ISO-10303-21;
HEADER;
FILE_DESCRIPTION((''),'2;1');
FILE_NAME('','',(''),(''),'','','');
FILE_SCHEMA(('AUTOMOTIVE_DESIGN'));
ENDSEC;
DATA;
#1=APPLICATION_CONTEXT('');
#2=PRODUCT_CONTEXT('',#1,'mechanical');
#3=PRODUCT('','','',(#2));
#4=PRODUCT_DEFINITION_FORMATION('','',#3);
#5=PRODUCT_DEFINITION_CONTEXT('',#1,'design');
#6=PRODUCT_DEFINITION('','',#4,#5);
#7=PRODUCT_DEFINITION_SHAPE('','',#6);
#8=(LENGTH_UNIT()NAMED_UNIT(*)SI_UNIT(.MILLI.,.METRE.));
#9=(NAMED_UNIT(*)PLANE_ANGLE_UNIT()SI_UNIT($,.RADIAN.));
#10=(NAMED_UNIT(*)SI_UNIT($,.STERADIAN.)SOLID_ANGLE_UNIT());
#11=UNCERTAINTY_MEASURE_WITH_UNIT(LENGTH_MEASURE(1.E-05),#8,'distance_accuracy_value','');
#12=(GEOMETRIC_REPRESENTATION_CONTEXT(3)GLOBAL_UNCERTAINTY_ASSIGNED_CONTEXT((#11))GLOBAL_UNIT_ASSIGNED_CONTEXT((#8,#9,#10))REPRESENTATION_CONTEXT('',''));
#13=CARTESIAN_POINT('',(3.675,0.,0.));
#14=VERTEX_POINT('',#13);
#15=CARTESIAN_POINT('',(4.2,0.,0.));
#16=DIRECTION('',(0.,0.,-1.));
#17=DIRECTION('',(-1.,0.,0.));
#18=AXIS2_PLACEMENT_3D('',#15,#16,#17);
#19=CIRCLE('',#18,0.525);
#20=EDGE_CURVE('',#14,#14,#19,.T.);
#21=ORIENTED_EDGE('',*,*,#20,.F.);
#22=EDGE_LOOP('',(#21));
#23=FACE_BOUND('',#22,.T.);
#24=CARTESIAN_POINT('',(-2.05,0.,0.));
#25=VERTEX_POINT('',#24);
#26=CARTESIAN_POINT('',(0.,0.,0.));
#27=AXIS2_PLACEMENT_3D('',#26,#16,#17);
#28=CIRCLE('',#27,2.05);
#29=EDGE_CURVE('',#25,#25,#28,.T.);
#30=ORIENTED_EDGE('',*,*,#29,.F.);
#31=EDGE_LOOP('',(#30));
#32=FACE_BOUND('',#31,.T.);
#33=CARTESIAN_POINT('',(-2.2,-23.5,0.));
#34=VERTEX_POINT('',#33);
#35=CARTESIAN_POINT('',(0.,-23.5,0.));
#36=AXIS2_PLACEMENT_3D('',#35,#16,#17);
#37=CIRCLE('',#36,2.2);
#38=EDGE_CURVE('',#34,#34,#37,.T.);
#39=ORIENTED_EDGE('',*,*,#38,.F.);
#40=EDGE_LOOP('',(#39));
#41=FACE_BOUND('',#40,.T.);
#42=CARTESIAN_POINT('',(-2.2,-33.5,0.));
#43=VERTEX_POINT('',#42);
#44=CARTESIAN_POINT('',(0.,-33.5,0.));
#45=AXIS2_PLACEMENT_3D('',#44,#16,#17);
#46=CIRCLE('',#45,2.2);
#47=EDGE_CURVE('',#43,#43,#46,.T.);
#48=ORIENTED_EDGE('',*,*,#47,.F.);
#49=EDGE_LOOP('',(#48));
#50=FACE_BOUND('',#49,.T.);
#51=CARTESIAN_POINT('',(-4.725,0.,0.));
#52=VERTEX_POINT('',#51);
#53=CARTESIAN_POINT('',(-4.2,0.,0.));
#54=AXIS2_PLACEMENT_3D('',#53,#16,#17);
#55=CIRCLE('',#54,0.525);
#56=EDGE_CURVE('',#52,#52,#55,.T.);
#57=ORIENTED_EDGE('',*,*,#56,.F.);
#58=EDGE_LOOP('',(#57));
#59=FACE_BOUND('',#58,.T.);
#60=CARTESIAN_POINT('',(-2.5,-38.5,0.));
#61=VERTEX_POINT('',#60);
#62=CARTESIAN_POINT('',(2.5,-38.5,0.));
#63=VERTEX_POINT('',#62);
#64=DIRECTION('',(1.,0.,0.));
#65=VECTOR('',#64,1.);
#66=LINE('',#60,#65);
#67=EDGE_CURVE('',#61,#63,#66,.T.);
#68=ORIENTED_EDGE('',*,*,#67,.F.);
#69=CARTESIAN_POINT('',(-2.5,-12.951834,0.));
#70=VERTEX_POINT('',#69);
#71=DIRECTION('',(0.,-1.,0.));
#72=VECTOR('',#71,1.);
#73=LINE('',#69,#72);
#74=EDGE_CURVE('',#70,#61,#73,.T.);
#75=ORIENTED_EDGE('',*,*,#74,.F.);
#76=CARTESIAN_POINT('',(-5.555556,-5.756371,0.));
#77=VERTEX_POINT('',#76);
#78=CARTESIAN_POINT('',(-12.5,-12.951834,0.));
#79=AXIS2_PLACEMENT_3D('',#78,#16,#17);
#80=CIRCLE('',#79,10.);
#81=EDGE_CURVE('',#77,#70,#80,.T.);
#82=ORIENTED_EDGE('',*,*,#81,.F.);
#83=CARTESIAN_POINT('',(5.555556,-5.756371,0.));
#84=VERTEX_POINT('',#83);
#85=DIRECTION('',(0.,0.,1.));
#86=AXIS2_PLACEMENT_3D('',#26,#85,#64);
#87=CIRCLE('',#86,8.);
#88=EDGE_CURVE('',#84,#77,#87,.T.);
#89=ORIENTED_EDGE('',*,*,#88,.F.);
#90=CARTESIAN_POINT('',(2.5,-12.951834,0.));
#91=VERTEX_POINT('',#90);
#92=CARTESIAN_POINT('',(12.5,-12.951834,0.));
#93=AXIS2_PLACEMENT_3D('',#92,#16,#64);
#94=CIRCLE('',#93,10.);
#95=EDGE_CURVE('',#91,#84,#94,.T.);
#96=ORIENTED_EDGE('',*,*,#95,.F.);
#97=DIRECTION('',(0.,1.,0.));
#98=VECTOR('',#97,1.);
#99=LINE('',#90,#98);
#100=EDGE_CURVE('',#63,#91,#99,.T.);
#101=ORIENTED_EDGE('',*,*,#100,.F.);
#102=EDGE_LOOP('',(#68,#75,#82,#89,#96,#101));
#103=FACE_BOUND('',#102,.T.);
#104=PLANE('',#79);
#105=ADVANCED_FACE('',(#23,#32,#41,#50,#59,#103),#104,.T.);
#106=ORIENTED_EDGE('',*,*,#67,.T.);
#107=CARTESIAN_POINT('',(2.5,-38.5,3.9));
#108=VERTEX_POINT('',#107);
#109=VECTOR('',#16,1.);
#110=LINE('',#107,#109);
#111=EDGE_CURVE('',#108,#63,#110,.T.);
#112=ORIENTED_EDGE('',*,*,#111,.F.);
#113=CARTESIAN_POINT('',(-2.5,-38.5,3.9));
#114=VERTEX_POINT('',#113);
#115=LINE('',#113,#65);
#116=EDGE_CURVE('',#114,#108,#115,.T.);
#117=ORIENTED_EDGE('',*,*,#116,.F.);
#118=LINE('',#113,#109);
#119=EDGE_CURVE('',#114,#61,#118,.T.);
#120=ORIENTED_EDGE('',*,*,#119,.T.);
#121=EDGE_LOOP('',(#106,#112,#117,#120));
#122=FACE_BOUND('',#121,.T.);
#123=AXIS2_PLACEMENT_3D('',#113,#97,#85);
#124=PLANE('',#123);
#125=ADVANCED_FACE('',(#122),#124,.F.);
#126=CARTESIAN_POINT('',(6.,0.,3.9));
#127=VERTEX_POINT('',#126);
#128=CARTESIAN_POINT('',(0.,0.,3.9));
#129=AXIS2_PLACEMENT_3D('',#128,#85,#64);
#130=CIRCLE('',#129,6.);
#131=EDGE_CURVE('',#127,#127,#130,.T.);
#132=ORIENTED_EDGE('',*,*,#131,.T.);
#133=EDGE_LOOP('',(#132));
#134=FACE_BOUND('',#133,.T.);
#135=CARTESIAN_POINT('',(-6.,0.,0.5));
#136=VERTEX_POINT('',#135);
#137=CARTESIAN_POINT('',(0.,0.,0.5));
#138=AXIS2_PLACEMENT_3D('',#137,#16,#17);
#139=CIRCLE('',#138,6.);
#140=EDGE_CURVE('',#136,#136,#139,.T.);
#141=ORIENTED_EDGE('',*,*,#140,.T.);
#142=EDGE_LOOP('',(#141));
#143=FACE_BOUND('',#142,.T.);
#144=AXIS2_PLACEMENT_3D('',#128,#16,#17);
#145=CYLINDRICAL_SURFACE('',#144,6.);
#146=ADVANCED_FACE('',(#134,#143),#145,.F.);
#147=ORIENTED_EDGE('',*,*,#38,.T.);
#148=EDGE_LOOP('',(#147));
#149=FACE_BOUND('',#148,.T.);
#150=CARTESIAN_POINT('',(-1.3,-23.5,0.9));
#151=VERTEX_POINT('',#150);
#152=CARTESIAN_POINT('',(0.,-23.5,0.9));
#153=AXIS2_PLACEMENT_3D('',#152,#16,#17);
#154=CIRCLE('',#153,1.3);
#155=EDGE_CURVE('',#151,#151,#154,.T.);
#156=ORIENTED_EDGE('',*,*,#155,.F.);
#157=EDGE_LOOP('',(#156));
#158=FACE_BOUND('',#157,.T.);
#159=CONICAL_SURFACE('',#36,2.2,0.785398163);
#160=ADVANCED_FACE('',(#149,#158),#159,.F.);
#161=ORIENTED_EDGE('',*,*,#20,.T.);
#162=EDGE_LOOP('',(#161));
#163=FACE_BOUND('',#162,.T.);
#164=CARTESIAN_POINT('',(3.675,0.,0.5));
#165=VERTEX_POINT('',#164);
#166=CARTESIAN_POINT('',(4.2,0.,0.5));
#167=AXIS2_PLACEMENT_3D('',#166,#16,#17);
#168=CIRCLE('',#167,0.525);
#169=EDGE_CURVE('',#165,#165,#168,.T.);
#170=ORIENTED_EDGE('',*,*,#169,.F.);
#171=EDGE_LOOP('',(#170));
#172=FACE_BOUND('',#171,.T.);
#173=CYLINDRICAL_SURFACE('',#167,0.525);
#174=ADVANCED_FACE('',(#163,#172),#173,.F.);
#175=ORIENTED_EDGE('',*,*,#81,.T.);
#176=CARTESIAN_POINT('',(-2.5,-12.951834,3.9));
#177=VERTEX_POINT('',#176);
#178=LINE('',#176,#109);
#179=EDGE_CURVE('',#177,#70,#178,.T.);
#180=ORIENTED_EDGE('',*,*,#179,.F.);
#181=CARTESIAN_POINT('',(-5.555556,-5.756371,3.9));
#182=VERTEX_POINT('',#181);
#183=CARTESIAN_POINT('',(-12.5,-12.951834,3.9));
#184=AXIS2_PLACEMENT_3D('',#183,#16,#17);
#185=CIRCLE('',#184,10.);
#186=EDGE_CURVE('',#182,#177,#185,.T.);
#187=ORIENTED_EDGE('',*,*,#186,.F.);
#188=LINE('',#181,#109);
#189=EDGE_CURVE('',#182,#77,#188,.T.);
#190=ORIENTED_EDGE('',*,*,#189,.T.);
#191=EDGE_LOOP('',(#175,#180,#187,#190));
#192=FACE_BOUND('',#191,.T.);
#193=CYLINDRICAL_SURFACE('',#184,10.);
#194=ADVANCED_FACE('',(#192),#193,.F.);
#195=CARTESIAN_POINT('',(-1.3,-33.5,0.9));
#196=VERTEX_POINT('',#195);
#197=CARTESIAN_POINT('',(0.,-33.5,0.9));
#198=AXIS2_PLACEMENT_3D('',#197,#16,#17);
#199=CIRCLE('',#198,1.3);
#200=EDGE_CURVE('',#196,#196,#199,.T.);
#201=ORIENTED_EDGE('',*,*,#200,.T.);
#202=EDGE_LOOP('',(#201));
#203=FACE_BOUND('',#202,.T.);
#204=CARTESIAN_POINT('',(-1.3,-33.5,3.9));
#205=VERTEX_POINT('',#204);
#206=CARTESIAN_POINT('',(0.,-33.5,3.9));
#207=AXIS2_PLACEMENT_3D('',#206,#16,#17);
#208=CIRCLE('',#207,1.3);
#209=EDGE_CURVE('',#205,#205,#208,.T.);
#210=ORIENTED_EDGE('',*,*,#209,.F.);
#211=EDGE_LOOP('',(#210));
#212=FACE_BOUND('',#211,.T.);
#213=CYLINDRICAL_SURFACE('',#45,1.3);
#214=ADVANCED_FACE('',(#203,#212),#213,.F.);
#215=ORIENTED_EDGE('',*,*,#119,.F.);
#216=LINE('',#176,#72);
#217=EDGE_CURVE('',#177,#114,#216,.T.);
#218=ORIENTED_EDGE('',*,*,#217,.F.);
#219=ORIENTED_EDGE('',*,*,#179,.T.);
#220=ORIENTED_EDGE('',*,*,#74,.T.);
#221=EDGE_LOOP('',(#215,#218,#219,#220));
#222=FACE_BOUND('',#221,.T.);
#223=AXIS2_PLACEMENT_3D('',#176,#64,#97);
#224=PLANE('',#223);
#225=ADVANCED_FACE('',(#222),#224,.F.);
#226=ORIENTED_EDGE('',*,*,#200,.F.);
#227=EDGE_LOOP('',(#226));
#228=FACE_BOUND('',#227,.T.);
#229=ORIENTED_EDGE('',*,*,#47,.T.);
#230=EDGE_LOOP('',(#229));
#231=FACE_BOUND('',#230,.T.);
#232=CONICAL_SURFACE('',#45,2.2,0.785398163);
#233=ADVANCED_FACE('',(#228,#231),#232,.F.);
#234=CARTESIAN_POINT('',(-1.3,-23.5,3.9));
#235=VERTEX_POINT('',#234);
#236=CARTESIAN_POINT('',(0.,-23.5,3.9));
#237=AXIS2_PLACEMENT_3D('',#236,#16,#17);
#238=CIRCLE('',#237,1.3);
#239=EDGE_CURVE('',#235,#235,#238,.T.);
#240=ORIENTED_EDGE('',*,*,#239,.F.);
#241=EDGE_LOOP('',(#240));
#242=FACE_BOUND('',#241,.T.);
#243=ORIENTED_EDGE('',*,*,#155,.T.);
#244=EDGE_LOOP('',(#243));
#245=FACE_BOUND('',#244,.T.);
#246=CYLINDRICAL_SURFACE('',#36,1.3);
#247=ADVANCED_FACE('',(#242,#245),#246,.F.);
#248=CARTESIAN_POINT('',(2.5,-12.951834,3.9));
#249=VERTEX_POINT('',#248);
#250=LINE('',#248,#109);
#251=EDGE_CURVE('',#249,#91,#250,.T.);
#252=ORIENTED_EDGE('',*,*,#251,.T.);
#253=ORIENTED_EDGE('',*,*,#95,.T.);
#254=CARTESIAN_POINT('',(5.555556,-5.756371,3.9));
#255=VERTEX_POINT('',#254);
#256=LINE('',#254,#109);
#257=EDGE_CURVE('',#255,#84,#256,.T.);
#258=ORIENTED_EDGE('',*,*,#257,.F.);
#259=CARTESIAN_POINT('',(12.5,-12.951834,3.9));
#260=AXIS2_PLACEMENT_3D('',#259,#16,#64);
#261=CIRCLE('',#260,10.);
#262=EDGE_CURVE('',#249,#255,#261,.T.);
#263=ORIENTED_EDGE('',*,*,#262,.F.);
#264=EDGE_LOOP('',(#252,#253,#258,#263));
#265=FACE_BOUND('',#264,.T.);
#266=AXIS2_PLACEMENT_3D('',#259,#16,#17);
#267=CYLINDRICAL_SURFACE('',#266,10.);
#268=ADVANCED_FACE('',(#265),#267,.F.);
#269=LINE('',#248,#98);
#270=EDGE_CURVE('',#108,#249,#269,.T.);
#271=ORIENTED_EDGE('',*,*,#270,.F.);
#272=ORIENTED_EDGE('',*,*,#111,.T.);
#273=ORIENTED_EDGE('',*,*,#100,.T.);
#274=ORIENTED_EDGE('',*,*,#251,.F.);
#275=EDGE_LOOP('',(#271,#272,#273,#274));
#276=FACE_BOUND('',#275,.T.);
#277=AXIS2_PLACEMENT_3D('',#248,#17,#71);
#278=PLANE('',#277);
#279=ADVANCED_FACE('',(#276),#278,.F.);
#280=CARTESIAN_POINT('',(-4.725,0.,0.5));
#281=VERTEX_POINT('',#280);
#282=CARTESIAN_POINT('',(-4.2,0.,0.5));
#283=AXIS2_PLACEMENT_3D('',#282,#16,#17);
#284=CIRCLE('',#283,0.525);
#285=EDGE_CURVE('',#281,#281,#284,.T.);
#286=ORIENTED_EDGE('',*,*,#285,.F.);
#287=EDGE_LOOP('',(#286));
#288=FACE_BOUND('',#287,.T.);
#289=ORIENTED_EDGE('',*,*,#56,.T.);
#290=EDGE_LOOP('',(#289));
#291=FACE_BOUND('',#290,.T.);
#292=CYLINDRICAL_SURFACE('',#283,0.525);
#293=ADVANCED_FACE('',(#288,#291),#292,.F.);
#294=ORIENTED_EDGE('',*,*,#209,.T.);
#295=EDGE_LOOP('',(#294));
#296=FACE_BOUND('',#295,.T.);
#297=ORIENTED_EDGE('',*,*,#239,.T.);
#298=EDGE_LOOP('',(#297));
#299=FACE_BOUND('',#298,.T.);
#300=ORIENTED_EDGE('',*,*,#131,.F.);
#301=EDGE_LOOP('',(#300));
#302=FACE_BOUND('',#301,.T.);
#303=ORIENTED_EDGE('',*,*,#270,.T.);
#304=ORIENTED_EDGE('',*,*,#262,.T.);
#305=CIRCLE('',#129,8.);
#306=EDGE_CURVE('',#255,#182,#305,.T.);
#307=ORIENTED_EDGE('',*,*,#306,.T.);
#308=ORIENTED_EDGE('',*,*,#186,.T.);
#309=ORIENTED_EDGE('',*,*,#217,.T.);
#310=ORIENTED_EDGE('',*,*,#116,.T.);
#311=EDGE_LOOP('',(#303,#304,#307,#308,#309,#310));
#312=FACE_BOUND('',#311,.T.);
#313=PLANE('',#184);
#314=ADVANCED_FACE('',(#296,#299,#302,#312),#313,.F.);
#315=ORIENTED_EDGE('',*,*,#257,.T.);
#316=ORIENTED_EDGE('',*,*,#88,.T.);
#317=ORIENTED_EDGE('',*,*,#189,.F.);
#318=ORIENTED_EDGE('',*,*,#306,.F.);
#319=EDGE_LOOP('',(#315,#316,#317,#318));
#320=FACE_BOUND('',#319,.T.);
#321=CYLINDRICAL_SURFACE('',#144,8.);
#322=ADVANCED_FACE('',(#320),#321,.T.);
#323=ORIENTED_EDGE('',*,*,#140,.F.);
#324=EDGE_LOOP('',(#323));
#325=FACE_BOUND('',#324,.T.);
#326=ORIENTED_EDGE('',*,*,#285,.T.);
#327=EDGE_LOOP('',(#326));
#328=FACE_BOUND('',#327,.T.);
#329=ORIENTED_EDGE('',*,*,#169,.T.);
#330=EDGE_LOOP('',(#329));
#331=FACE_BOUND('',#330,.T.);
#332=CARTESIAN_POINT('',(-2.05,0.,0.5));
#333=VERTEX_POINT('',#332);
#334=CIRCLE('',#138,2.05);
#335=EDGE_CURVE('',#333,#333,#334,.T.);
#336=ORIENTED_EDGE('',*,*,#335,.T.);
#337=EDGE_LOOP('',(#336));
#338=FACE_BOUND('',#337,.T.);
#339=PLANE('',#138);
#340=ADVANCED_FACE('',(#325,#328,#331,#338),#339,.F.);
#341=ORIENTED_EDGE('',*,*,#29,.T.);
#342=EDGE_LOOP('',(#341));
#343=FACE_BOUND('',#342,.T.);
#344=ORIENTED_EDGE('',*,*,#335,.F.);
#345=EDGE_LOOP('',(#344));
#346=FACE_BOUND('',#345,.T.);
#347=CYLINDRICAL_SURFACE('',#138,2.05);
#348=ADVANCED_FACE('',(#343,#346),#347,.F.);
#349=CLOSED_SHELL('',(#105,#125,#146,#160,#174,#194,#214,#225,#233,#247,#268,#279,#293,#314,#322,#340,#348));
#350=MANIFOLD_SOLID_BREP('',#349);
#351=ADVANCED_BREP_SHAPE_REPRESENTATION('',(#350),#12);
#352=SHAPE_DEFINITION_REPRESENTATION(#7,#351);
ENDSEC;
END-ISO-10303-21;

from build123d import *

# Parameters (mm, degrees)
SKETCH1_R                                       = 6
BOSS_EXTRUDE1_DEPTH                             = 3.9
SKETCH5_R                                       = 8
SKETCH5_R_2                                     = 2.05
SKETCH5_R_3                                     = 0.525
BOSS_EXTRUDE3_DEPTH                             = 0.5
CSK_FOR_M2_FLAT_HEAD_MACHINE_SCREW1_D           = 2.6
CSK_FOR_M2_FLAT_HEAD_MACHINE_SCREW1_CSINK_D     = 4.4
CSK_FOR_M2_FLAT_HEAD_MACHINE_SCREW1_CSINK_ANGLE = 90


with BuildPart() as part:
    # Sketch1 → Boss-Extrude1 (new body)
    with BuildSketch(Plane.XY):
        with BuildLine():
            Line((-2.5, -12.951833847), (-2.5, -38.5))
            Line((-2.5, -38.5), (2.5, -38.5))
            Line((2.5, -38.5), (2.5, -12.951833847))
            ThreePointArc((2.5, -12.951833847), (3.295532486, -9.043154047), (5.555555556, -5.756370599))
            ThreePointArc((5.555555556, -5.756370599), (0, 8), (-5.555555556, -5.756370599))
            ThreePointArc((-5.555555556, -5.756370599), (-3.295532486, -9.043154047), (-2.5, -12.951833847))
        make_face()
        Circle(SKETCH1_R, mode=Mode.SUBTRACT)
    extrude(amount=BOSS_EXTRUDE1_DEPTH)

    # Sketch5 → Boss-Extrude3 (add)
    with BuildSketch(Plane(origin=(0, 0, 0), x_dir=(-1, 0, 0), z_dir=(0, 0, -1))):
        Circle(SKETCH5_R)
        Circle(SKETCH5_R_2, mode=Mode.SUBTRACT)
        with Locations((4.2, 0)):
            Circle(SKETCH5_R_3, mode=Mode.SUBTRACT)
        with Locations((-4.2, 0)):
            Circle(SKETCH5_R_3, mode=Mode.SUBTRACT)
    extrude(amount=-BOSS_EXTRUDE3_DEPTH)

    # CSK for M2 Flat Head Machine Screw1 (through all)
    with Locations(Plane(origin=(0, 0, 0), x_dir=(-1, 0, 0), z_dir=(0, 0, -1))):
        with Locations((0, -33.5), (0, -23.5)):
            CounterSinkHole(CSK_FOR_M2_FLAT_HEAD_MACHINE_SCREW1_D / 2, CSK_FOR_M2_FLAT_HEAD_MACHINE_SCREW1_CSINK_D / 2, counter_sink_angle=CSK_FOR_M2_FLAT_HEAD_MACHINE_SCREW1_CSINK_ANGLE)


solid = part.part
